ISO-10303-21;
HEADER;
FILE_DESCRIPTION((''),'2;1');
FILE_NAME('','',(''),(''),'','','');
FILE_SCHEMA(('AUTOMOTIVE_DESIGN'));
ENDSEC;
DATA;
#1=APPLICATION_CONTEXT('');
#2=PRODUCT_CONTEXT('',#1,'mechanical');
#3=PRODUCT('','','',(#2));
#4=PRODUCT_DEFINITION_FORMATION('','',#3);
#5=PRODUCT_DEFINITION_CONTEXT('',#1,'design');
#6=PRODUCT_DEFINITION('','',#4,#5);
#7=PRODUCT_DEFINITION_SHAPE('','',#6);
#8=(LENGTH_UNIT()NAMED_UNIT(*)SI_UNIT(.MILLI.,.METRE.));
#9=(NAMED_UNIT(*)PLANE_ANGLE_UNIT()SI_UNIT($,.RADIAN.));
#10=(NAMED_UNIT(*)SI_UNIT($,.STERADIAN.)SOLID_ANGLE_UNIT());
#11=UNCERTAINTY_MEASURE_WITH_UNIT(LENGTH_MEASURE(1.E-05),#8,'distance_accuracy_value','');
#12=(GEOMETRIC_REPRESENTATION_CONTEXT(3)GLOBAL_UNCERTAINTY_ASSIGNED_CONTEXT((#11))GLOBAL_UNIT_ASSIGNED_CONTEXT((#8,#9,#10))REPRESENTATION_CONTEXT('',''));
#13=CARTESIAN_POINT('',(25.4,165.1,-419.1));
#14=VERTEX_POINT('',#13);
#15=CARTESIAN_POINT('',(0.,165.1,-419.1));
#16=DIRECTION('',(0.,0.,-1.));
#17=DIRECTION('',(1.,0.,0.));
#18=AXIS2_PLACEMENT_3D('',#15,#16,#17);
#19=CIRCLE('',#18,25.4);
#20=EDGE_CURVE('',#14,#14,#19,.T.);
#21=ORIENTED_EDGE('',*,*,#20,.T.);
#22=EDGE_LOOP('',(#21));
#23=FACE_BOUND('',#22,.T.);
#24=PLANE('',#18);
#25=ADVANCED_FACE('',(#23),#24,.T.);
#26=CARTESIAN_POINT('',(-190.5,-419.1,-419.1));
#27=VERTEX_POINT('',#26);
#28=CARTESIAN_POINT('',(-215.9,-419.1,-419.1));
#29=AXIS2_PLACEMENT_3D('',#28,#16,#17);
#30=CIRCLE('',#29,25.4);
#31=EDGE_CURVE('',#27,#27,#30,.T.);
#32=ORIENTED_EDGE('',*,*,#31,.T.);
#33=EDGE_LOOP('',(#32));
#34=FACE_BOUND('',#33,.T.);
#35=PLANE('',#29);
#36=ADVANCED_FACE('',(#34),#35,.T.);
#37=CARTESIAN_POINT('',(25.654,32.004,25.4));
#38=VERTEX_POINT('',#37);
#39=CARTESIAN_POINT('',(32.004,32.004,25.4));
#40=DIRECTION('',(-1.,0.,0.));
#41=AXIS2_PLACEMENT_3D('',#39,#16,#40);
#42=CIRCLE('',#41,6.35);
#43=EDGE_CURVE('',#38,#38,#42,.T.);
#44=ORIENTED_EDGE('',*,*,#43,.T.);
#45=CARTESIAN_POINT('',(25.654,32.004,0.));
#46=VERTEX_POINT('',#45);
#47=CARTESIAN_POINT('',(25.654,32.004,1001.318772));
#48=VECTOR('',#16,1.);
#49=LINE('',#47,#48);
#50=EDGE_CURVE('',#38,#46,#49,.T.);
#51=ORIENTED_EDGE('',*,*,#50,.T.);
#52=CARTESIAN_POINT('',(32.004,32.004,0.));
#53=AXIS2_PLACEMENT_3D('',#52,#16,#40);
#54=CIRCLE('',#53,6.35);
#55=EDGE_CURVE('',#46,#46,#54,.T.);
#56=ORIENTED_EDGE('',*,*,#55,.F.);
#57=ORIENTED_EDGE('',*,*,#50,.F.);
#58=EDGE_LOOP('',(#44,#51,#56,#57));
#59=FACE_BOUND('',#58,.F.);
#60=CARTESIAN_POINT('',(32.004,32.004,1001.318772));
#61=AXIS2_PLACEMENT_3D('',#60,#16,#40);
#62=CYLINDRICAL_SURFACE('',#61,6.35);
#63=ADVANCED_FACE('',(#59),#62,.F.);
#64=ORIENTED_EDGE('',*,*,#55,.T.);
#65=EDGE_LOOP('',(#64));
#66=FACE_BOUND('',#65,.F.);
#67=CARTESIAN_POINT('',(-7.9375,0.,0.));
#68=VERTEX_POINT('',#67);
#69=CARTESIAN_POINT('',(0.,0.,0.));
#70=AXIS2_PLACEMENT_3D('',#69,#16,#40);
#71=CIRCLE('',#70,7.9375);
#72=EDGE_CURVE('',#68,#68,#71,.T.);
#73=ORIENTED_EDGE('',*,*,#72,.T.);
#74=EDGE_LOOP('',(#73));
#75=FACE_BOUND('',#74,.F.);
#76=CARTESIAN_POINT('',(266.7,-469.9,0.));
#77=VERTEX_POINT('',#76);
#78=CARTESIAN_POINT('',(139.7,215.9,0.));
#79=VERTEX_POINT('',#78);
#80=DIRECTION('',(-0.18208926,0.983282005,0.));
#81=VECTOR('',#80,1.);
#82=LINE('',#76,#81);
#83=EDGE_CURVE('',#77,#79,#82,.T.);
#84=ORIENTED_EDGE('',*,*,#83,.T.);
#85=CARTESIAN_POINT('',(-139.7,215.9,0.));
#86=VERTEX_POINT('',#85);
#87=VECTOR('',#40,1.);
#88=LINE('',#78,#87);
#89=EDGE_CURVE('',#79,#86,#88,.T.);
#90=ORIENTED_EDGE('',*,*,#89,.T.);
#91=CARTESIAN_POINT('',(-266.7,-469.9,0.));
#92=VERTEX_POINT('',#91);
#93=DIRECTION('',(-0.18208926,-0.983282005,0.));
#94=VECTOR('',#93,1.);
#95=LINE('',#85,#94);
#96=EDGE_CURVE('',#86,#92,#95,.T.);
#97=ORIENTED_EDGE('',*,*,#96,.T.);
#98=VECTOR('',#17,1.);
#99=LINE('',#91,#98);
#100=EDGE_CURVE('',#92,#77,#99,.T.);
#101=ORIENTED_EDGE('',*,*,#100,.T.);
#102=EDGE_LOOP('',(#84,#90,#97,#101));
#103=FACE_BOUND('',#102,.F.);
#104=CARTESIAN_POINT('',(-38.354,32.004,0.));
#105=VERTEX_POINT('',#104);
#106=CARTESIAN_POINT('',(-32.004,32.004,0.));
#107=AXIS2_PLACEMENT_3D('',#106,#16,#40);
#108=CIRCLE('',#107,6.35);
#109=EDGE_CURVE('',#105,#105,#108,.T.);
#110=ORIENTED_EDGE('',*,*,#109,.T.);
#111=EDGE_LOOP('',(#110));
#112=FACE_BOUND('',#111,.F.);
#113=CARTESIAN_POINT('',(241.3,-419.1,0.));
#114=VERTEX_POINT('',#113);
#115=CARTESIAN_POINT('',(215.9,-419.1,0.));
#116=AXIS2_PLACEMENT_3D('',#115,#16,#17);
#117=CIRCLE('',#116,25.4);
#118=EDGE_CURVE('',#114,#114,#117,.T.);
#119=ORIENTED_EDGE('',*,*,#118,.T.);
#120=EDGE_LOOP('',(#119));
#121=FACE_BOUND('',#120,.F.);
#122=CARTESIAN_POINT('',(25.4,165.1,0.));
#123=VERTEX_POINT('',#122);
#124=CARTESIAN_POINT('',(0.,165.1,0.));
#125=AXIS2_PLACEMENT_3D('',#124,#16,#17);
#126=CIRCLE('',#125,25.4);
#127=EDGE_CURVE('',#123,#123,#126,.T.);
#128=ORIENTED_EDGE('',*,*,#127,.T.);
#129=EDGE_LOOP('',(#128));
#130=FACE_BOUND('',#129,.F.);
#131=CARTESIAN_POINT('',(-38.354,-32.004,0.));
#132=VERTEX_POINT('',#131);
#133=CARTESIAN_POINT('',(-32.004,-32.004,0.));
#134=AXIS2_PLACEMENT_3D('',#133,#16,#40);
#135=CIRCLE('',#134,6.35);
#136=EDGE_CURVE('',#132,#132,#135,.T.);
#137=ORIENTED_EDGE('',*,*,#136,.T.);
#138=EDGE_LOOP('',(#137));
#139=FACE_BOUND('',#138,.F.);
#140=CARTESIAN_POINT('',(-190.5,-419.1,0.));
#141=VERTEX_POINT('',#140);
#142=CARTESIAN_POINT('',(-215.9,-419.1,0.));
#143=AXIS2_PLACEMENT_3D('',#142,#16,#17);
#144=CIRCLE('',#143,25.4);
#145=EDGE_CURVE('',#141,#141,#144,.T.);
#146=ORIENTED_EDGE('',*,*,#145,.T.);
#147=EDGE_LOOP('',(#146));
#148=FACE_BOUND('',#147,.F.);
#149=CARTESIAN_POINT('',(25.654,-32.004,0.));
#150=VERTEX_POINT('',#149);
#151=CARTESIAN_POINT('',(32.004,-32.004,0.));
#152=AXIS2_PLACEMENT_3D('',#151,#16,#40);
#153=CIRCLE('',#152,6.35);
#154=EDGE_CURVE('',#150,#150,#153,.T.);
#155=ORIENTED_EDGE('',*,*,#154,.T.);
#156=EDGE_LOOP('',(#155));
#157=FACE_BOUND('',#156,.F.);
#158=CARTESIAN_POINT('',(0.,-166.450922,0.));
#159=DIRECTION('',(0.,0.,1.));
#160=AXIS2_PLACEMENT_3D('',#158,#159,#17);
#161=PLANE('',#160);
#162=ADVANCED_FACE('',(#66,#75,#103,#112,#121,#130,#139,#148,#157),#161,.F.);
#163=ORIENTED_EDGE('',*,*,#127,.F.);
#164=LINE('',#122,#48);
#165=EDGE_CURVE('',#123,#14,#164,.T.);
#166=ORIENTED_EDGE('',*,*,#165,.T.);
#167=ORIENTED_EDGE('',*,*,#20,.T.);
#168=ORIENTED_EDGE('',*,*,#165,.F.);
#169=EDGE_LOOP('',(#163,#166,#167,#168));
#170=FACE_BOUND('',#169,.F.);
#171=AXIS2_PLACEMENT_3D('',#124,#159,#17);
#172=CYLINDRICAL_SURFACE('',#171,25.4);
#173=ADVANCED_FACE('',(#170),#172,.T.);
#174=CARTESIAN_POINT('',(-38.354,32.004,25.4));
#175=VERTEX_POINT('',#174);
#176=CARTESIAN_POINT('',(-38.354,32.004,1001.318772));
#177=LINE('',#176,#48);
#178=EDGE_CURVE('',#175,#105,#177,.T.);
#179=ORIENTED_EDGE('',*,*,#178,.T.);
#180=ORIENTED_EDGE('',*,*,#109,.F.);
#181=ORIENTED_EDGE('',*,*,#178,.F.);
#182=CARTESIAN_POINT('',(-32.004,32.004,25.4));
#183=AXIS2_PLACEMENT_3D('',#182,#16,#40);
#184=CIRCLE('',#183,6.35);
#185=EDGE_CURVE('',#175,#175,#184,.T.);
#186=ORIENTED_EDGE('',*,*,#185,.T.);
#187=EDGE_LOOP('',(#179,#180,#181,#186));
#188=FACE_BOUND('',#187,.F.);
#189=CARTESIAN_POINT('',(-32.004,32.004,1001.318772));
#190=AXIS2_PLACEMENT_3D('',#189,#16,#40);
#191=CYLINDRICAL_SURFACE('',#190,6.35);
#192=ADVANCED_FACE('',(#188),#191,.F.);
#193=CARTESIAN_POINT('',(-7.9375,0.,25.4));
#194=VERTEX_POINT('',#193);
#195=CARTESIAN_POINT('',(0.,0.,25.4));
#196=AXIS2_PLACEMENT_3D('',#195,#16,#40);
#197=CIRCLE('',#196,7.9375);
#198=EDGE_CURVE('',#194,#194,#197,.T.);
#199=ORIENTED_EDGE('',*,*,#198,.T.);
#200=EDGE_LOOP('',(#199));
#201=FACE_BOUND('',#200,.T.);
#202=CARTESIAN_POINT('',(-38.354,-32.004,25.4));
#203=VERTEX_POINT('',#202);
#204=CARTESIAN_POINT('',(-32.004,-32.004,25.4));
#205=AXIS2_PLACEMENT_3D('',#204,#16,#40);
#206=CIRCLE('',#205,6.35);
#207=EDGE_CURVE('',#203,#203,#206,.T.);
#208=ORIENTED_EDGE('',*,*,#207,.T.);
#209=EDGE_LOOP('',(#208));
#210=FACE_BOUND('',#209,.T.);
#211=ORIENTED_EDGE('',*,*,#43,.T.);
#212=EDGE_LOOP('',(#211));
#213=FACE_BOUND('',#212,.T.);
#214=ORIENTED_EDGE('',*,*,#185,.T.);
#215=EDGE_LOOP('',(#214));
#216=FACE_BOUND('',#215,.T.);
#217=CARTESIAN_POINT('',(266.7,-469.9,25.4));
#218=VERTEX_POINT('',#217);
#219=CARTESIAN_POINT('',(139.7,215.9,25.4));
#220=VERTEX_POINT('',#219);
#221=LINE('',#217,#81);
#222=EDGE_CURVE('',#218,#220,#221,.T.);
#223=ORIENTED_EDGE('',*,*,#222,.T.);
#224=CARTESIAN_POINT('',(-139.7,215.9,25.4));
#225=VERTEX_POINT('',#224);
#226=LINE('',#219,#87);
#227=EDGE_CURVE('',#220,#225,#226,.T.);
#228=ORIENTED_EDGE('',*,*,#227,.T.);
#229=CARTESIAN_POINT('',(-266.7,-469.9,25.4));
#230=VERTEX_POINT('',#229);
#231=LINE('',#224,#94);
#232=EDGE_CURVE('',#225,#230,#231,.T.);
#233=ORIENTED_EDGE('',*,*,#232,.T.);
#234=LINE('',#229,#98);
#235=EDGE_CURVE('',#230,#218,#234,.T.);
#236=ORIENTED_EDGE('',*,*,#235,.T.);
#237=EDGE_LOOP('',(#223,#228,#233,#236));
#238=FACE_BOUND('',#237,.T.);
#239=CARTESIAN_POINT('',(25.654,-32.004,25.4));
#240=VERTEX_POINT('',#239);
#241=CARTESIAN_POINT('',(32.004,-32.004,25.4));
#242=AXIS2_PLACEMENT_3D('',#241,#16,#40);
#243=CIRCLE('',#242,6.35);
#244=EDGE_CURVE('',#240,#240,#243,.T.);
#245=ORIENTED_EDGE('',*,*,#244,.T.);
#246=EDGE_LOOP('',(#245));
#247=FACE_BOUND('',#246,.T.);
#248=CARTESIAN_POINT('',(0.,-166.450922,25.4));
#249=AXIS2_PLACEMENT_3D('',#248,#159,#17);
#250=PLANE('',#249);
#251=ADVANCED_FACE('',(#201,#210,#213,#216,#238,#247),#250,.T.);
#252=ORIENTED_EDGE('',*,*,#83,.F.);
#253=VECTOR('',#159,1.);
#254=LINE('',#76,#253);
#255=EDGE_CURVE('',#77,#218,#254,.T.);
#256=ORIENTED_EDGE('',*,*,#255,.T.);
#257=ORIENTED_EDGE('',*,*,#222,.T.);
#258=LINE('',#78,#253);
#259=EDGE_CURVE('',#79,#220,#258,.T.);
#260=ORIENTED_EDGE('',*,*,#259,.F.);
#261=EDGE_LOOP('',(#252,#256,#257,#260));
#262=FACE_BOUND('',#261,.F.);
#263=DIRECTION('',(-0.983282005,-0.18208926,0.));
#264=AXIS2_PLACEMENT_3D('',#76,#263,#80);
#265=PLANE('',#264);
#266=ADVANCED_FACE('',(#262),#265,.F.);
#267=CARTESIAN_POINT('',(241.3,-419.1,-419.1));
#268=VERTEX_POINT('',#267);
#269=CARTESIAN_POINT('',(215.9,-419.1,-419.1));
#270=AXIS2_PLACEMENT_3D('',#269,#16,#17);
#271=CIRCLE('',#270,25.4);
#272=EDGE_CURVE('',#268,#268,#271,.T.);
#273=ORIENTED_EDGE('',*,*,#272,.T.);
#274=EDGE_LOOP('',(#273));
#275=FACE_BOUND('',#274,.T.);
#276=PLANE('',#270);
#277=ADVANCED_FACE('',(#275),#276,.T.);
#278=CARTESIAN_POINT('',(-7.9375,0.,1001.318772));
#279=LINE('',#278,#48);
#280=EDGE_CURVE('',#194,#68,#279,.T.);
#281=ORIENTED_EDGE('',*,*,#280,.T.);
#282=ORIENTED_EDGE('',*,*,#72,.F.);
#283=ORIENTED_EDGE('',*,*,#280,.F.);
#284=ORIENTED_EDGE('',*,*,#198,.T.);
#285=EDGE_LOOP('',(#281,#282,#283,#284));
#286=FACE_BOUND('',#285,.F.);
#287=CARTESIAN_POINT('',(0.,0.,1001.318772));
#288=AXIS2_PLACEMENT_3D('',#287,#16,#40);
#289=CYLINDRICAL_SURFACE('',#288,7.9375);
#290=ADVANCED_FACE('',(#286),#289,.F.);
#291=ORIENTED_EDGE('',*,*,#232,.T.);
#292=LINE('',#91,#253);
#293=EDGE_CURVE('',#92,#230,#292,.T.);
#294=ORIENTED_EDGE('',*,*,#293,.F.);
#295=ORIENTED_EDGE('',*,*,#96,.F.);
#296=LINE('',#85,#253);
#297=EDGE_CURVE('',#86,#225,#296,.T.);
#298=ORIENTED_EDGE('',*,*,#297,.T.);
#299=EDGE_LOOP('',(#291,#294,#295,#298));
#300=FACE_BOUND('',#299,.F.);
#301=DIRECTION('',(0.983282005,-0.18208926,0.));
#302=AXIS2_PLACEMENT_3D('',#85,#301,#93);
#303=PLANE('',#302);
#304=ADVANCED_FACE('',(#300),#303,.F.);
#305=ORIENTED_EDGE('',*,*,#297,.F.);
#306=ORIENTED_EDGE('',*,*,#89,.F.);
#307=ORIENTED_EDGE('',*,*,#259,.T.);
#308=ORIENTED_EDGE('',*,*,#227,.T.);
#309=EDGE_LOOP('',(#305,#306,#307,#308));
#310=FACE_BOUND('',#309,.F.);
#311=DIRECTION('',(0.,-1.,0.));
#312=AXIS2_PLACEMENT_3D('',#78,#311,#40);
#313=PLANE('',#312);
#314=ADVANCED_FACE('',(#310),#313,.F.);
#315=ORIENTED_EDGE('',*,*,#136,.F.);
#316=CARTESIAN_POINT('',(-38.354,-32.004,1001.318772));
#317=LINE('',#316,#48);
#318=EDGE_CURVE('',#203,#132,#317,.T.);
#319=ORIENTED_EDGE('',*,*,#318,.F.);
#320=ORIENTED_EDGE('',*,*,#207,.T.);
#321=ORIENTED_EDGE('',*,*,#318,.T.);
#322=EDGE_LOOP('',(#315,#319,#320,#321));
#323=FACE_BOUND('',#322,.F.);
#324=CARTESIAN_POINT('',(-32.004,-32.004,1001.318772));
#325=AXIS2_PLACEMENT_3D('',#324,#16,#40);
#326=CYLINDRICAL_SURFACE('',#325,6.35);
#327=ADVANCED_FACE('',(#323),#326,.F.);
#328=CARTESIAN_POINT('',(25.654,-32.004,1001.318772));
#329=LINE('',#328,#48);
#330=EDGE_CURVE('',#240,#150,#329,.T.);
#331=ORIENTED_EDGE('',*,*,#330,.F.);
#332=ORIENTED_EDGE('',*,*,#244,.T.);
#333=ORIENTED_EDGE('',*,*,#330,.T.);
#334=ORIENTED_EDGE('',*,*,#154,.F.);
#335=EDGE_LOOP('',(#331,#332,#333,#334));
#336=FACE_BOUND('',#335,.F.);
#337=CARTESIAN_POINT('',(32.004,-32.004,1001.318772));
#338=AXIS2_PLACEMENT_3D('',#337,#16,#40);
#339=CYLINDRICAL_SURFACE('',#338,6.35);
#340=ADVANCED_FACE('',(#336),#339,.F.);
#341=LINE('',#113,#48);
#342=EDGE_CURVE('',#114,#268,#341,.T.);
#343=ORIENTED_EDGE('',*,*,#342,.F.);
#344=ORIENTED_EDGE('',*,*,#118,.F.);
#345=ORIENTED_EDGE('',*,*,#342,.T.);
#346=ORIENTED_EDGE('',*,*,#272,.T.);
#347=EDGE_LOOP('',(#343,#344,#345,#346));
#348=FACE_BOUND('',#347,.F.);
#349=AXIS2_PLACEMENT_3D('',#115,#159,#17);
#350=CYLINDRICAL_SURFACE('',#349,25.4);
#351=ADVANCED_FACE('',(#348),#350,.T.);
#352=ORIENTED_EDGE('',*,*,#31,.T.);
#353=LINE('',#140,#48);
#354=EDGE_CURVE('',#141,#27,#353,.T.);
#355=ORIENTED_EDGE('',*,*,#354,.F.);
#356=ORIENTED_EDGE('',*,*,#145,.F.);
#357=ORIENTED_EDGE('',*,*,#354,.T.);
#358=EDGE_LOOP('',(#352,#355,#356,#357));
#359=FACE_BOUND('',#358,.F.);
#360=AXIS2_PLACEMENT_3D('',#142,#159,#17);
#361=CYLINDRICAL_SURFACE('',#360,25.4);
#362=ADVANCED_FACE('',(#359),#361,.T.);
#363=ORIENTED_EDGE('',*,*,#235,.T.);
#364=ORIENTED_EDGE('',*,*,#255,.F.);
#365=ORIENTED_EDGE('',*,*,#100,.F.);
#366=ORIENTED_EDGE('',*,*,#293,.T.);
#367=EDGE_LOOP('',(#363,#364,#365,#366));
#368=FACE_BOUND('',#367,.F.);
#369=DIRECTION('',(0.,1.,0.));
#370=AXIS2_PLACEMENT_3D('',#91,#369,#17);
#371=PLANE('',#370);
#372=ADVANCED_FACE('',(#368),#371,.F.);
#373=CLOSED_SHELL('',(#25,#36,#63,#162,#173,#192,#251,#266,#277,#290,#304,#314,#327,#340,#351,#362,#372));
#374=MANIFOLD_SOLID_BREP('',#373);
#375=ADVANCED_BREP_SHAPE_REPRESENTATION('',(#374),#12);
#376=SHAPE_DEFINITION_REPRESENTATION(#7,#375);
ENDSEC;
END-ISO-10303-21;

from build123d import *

# Parameters (mm, degrees)
F1_DEPTH = 25.4
F2_R     = 25.4
F3_DEPTH = 419.1
F5_D     = 15.875
F7_D     = 12.7


with BuildPart() as f1:
    # F0 (on Top) → F1 (new body)
    with BuildSketch(Plane.XY):
        Polygon((139.7, 215.9), (0, 215.9), (-139.7, 215.9), (-266.7, -469.9), (0, -469.9), (266.7, -469.9), align=None)
    extrude(amount=F1_DEPTH)

    # F2 (on face) → F3 (join)
    with BuildSketch(Plane(origin=(0, 0, 0), x_dir=(1, 0, 0), z_dir=(0, 0, -1))):
        with Locations((-215.9, 419.1)):
            Circle(F2_R)
        with Locations((215.9, 419.1)):
            Circle(F2_R)
        with Locations((0, -165.1)):
            Circle(F2_R)
    extrude(amount=F3_DEPTH)

    # F5 (through all)
    with Locations(Plane.XY.offset(25.4)):
        with Locations((0, 0)):
            Hole(F5_D / 2)

    # F7 (through all)
    with Locations(Plane.XY.offset(25.4)):
        with Locations((32.004, -32.004), (-32.004, -32.004), (32.004, 32.004), (-32.004, 32.004)):
            Hole(F7_D / 2)


solid = f1.part
